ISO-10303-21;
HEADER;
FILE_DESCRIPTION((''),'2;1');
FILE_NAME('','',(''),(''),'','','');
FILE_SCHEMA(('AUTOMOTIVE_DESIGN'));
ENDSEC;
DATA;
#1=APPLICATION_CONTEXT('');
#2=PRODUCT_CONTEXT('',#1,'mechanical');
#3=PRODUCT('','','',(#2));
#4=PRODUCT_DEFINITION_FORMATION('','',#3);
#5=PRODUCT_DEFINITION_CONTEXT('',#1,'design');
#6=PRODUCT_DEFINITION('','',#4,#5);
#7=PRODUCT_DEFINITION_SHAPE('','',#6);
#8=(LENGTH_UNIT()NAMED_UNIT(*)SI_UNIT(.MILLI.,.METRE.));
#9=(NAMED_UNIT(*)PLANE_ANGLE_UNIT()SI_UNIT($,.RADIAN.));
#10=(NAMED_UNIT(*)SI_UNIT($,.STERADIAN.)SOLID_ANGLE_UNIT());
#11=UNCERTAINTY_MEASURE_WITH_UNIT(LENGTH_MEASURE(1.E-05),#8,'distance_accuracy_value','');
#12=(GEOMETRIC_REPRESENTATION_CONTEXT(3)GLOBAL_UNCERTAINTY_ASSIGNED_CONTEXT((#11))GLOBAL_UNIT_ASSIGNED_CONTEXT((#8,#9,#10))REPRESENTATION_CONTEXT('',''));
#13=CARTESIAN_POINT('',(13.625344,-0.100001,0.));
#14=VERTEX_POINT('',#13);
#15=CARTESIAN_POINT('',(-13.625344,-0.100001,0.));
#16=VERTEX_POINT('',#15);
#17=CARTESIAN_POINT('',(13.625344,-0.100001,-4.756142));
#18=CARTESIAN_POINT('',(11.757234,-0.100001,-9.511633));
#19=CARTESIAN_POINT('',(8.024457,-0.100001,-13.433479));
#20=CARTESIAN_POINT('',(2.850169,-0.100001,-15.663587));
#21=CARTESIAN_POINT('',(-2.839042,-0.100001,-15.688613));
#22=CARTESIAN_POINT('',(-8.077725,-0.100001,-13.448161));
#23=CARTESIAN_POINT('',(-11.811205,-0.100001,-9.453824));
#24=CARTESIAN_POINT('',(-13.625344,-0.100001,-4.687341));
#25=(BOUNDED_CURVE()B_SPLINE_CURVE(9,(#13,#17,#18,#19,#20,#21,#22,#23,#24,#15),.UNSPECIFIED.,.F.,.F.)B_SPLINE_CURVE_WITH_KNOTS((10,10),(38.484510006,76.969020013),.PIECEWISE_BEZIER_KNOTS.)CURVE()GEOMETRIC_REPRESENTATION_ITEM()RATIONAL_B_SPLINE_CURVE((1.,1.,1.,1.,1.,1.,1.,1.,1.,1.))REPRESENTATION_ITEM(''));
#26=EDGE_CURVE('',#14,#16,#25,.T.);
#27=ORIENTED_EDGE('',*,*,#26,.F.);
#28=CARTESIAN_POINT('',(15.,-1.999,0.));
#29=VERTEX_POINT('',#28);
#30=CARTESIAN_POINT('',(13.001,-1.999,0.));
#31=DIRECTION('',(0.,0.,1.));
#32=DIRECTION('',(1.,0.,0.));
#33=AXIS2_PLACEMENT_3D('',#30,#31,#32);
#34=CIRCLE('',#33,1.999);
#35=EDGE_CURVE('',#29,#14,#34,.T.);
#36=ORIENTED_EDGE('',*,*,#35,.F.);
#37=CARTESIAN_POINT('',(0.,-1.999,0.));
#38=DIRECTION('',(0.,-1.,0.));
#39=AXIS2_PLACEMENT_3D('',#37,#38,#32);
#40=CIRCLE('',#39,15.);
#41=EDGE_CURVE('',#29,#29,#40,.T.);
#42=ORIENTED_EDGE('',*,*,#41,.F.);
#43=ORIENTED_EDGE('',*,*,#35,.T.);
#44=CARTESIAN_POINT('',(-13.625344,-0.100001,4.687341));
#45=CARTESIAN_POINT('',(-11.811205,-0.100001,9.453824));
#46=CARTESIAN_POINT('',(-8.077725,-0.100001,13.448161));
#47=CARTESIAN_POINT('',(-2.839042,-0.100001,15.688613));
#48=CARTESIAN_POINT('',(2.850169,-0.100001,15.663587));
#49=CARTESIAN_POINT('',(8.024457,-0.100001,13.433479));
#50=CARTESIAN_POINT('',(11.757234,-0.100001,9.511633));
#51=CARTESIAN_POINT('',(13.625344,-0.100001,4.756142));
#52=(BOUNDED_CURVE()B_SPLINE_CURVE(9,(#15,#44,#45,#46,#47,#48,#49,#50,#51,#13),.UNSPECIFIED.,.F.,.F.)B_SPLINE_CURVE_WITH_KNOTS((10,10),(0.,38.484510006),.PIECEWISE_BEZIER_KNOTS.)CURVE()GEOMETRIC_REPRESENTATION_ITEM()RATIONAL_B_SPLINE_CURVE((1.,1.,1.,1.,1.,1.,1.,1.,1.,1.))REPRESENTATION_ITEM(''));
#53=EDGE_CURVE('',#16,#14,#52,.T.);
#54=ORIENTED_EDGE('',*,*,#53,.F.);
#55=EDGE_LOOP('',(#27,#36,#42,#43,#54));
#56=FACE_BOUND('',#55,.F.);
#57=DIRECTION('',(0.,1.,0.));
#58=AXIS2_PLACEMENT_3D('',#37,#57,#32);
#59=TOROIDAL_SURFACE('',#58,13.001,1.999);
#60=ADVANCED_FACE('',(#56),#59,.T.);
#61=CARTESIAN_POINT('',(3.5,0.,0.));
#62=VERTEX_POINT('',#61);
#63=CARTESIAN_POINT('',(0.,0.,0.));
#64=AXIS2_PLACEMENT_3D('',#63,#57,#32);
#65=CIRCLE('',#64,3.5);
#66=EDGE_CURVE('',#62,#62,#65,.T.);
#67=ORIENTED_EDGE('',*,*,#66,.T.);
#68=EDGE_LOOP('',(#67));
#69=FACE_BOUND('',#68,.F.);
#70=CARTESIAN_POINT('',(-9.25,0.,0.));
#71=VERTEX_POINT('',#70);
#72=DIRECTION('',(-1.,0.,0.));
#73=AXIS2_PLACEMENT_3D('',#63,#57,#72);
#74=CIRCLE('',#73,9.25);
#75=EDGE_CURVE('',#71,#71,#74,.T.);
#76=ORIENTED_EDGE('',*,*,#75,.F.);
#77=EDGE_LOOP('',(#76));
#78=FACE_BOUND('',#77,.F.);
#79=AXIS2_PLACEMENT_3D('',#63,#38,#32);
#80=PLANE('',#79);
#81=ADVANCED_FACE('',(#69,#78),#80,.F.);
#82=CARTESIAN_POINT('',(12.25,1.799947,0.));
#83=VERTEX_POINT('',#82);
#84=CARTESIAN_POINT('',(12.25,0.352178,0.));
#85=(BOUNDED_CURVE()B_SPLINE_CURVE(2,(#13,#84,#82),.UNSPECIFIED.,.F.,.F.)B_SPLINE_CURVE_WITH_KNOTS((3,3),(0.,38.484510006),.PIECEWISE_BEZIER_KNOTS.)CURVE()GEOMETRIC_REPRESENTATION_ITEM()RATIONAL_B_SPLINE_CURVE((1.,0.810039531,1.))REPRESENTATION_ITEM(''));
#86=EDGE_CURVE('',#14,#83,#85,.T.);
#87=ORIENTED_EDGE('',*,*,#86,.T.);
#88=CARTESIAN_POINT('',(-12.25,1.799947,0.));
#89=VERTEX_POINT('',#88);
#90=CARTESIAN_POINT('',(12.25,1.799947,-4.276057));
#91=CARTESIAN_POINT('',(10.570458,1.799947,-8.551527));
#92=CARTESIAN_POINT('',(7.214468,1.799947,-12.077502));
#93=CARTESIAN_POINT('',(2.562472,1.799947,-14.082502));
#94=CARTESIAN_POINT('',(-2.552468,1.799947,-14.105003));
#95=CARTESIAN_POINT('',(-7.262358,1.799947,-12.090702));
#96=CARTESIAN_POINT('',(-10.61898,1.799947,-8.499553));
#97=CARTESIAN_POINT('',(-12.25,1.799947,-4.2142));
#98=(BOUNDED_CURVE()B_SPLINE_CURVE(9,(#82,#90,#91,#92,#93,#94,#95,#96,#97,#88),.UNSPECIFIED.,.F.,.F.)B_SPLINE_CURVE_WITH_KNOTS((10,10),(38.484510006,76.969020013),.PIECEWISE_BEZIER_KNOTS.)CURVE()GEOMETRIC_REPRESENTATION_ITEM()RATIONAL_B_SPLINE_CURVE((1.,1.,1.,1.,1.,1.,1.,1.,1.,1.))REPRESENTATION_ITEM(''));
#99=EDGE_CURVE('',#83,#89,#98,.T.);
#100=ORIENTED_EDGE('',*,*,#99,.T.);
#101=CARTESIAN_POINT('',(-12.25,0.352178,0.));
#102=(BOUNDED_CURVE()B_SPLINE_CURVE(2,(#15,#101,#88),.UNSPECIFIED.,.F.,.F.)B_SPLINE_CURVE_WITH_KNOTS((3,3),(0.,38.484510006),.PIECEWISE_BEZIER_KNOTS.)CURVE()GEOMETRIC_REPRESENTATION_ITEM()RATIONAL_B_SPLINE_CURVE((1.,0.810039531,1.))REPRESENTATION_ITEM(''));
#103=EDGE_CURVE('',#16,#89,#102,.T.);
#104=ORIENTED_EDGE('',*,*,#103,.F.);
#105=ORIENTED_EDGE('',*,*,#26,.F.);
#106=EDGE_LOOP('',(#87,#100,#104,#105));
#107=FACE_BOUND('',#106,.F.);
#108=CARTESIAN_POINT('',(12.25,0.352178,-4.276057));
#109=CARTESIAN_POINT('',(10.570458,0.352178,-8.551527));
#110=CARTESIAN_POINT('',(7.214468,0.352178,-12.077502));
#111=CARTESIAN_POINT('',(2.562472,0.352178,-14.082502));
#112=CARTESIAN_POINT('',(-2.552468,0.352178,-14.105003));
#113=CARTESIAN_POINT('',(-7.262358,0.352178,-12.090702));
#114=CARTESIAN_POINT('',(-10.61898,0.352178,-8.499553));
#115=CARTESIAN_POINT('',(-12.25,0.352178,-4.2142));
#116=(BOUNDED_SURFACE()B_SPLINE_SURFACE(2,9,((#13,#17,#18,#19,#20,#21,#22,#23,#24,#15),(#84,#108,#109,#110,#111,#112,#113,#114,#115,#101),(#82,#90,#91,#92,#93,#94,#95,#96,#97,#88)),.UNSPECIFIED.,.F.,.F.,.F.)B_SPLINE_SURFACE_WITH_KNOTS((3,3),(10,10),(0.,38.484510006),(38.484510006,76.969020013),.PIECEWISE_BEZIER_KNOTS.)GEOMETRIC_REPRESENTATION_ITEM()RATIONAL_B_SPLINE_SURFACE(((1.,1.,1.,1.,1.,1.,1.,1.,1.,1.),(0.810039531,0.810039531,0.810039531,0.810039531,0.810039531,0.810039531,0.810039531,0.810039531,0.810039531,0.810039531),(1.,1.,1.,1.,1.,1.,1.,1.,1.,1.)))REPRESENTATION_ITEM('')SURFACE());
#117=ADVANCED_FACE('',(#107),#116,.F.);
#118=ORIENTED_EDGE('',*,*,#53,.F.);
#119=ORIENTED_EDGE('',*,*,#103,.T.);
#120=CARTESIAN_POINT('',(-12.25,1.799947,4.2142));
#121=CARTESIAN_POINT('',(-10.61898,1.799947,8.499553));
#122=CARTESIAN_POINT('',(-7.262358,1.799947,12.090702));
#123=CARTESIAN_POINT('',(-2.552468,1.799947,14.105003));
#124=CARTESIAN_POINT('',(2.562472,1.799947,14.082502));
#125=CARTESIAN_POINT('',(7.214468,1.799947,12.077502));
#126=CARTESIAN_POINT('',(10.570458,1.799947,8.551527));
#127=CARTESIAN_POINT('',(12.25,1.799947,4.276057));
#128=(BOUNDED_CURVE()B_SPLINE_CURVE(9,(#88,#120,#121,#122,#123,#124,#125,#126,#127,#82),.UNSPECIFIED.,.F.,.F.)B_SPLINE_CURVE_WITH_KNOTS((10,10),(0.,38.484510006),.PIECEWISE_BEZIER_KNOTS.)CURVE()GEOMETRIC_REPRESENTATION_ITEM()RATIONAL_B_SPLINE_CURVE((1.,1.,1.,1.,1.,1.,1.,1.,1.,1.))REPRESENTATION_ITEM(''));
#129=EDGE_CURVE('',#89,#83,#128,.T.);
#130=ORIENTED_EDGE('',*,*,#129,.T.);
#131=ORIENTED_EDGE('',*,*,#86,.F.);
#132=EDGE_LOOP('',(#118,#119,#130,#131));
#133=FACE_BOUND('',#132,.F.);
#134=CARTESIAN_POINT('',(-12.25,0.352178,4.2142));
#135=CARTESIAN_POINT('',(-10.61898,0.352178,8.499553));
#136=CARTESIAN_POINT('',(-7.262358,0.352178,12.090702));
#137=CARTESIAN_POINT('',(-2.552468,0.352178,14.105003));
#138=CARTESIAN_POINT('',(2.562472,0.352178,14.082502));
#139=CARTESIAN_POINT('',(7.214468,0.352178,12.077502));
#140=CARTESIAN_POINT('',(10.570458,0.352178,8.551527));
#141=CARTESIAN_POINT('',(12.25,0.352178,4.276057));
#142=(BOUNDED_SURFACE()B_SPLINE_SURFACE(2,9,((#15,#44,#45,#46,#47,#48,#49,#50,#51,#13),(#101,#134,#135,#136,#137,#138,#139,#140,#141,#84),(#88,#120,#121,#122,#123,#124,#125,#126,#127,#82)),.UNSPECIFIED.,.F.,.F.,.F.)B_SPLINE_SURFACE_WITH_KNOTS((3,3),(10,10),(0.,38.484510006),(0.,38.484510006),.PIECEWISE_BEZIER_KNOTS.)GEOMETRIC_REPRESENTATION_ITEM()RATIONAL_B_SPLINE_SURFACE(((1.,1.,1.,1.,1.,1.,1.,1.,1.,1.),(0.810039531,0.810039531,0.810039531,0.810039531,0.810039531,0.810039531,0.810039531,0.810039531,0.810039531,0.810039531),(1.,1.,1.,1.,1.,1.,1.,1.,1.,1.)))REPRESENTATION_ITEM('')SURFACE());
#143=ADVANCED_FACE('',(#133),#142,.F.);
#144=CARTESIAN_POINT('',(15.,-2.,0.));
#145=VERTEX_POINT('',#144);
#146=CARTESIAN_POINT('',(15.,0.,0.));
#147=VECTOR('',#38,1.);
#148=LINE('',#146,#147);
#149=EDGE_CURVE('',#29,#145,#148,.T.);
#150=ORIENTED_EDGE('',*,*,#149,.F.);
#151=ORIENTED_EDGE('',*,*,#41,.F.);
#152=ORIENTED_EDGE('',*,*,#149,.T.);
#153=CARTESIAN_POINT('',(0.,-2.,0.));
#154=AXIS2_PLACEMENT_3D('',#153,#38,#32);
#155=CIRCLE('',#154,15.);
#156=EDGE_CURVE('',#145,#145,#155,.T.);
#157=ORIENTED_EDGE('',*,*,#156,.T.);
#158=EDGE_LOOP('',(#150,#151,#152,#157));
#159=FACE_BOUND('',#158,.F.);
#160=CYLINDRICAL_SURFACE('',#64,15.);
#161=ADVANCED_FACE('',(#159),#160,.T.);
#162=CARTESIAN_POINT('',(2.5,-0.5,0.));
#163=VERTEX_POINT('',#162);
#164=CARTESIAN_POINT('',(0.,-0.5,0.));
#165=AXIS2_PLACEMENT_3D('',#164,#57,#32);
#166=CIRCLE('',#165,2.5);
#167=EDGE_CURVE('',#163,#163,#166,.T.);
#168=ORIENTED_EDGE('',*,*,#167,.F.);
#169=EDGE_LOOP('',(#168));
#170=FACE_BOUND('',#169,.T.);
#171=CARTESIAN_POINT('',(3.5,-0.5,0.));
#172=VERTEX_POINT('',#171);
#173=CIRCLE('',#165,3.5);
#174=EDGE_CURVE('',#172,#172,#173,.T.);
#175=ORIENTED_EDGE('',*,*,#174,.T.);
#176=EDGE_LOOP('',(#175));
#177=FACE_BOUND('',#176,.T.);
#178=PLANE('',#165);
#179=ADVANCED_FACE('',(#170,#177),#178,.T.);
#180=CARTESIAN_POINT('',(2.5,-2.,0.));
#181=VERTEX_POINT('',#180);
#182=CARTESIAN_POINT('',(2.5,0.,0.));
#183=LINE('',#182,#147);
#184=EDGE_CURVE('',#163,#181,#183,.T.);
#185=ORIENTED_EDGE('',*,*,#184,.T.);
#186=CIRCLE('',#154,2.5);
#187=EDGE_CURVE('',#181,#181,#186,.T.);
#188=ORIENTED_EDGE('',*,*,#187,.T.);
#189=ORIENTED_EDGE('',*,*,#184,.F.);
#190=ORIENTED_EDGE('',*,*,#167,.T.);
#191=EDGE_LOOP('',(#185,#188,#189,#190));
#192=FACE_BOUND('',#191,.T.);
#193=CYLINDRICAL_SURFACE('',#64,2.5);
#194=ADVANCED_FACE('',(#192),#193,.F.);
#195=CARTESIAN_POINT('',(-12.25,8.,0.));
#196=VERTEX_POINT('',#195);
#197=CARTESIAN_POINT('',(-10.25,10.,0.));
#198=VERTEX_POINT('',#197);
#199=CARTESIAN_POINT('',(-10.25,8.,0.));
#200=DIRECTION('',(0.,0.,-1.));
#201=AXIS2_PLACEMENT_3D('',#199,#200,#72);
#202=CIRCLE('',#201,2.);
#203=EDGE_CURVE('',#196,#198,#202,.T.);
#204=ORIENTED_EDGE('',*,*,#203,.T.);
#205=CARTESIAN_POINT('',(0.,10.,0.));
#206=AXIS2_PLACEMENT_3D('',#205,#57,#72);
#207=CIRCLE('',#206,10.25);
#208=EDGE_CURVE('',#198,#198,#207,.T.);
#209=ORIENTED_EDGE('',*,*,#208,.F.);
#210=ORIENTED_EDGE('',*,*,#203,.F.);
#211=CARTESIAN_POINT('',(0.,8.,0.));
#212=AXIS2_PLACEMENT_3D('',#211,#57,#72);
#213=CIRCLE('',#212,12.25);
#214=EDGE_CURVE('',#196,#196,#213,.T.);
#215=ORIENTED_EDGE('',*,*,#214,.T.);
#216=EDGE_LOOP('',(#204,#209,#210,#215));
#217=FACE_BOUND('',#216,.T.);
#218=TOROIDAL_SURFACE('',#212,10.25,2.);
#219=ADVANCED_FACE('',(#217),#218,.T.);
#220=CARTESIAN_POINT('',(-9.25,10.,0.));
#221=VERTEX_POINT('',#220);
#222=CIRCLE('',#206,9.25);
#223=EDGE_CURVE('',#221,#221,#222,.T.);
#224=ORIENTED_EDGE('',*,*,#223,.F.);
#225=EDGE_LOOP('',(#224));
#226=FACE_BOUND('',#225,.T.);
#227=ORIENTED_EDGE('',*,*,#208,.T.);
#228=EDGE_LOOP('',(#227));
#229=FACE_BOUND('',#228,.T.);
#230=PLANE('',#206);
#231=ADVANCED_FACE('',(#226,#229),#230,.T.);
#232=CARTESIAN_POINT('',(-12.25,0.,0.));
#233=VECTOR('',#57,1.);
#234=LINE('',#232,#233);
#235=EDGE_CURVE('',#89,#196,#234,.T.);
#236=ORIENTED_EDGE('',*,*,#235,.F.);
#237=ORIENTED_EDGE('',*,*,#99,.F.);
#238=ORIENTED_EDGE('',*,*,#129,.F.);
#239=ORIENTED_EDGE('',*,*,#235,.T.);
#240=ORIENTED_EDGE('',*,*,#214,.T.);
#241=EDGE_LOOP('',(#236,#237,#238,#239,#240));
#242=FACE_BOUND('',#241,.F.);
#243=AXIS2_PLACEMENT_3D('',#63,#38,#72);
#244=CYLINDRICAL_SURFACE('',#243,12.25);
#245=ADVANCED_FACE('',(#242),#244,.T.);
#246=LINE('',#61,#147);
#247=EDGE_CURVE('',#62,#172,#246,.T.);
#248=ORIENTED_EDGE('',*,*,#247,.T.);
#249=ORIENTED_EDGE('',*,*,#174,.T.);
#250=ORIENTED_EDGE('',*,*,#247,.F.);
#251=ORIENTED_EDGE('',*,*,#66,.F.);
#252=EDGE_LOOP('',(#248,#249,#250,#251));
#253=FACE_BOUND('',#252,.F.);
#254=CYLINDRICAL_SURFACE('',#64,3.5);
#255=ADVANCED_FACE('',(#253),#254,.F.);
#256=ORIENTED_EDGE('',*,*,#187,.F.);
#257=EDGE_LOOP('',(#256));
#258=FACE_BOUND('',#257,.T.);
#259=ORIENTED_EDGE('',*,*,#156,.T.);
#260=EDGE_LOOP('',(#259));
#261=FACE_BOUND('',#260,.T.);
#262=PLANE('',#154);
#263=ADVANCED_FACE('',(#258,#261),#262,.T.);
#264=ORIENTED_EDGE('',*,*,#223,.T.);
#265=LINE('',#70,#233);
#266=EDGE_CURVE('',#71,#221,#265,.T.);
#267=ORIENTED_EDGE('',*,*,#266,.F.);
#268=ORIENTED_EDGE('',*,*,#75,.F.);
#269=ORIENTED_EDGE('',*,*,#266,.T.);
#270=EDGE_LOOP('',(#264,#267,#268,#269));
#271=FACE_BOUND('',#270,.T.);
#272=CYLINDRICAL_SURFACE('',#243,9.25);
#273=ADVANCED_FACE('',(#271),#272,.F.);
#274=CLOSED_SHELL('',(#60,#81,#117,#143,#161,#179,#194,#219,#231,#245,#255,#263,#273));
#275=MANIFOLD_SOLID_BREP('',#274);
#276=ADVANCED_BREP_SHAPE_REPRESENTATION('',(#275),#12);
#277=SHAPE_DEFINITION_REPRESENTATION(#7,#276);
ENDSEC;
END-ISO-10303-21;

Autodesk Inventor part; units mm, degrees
ref_plane "YZ Plane" through (0, 0, 0) normal (1, 0, 0) x (0, 1, 0)
ref_plane "XZ Plane" through (0, 0, 0) normal (0, 1, 0) x (-1, 0, 0)
ref_plane "XY Plane" through (0, 0, 0) normal (0, 0, 1) x (1, 0, 0)
sketch "Sketch1" plane through (0, 0, 0) normal (0, 1, 0) x (-1, 0, 0)
  circle A0 centre (0, 0) radius 9.25
  circle A1 centre (0, 0) radius 12.25
  dimension "d0" = 18.5
  dimension "d1" = 24.5
extrude "Extrusion1" add sketch "Sketch1" along normal blind 10
fillet "Fillet1" radius 2 1 edges at (12.25, 10, 0)
sketch "Sketch2" plane through (0, 0, 0) normal (0, -1, 0) x (1, 0, 0)
  circle A0 centre (0, 0) radius 9.25 projected
  circle A1 centre (0, 0) radius 12.25 projected
  circle A2 centre (0, 0) radius 15
  circle A3 centre (0, 0) radius 2.5
  dimension "d6" = 30
  dimension "d9" = 5
extrude "Extrusion2" add sketch "Sketch2" along normal blind 2 contours A0 | A1 | A2
fillet "Fillet3" radius 2 2 edges at (-15, 0, 0) (12.25, 0, 0)
sketch "Sketch3" plane through (0, 0, 0) normal (0, 1, 0) x (1, 0, 0)
  circle A0 centre (0, 0) radius 2.5 projected
  circle A1 centre (0, 0) radius 9.25 projected
  circle A2 centre (0, 0) radius 3.5
  dimension "d12" = 7
extrude "Extrusion3" cut sketch "Sketch3" against normal blind 0.5 contours A2
equation "\"BendRadius\" = Thickness"
equation "\"BendReliefWidth\" = Thickness"
equation "\"BendReliefDepth\" = 0.5 * Thickness"
equation "\"CornerReliefSize\" = 4 * Thickness"
equation "\"MinimumRemnant\" = 2 * Thickness"
equation "\"TransitionRadius\" = BendRadius"
equation "\"JacobiRadiusSize\" = BendRadius"
equation "\"GapSize\" = Thickness"
equation "\"Thickness\" = 0.5"
properties part number "powerButtonPart2"
